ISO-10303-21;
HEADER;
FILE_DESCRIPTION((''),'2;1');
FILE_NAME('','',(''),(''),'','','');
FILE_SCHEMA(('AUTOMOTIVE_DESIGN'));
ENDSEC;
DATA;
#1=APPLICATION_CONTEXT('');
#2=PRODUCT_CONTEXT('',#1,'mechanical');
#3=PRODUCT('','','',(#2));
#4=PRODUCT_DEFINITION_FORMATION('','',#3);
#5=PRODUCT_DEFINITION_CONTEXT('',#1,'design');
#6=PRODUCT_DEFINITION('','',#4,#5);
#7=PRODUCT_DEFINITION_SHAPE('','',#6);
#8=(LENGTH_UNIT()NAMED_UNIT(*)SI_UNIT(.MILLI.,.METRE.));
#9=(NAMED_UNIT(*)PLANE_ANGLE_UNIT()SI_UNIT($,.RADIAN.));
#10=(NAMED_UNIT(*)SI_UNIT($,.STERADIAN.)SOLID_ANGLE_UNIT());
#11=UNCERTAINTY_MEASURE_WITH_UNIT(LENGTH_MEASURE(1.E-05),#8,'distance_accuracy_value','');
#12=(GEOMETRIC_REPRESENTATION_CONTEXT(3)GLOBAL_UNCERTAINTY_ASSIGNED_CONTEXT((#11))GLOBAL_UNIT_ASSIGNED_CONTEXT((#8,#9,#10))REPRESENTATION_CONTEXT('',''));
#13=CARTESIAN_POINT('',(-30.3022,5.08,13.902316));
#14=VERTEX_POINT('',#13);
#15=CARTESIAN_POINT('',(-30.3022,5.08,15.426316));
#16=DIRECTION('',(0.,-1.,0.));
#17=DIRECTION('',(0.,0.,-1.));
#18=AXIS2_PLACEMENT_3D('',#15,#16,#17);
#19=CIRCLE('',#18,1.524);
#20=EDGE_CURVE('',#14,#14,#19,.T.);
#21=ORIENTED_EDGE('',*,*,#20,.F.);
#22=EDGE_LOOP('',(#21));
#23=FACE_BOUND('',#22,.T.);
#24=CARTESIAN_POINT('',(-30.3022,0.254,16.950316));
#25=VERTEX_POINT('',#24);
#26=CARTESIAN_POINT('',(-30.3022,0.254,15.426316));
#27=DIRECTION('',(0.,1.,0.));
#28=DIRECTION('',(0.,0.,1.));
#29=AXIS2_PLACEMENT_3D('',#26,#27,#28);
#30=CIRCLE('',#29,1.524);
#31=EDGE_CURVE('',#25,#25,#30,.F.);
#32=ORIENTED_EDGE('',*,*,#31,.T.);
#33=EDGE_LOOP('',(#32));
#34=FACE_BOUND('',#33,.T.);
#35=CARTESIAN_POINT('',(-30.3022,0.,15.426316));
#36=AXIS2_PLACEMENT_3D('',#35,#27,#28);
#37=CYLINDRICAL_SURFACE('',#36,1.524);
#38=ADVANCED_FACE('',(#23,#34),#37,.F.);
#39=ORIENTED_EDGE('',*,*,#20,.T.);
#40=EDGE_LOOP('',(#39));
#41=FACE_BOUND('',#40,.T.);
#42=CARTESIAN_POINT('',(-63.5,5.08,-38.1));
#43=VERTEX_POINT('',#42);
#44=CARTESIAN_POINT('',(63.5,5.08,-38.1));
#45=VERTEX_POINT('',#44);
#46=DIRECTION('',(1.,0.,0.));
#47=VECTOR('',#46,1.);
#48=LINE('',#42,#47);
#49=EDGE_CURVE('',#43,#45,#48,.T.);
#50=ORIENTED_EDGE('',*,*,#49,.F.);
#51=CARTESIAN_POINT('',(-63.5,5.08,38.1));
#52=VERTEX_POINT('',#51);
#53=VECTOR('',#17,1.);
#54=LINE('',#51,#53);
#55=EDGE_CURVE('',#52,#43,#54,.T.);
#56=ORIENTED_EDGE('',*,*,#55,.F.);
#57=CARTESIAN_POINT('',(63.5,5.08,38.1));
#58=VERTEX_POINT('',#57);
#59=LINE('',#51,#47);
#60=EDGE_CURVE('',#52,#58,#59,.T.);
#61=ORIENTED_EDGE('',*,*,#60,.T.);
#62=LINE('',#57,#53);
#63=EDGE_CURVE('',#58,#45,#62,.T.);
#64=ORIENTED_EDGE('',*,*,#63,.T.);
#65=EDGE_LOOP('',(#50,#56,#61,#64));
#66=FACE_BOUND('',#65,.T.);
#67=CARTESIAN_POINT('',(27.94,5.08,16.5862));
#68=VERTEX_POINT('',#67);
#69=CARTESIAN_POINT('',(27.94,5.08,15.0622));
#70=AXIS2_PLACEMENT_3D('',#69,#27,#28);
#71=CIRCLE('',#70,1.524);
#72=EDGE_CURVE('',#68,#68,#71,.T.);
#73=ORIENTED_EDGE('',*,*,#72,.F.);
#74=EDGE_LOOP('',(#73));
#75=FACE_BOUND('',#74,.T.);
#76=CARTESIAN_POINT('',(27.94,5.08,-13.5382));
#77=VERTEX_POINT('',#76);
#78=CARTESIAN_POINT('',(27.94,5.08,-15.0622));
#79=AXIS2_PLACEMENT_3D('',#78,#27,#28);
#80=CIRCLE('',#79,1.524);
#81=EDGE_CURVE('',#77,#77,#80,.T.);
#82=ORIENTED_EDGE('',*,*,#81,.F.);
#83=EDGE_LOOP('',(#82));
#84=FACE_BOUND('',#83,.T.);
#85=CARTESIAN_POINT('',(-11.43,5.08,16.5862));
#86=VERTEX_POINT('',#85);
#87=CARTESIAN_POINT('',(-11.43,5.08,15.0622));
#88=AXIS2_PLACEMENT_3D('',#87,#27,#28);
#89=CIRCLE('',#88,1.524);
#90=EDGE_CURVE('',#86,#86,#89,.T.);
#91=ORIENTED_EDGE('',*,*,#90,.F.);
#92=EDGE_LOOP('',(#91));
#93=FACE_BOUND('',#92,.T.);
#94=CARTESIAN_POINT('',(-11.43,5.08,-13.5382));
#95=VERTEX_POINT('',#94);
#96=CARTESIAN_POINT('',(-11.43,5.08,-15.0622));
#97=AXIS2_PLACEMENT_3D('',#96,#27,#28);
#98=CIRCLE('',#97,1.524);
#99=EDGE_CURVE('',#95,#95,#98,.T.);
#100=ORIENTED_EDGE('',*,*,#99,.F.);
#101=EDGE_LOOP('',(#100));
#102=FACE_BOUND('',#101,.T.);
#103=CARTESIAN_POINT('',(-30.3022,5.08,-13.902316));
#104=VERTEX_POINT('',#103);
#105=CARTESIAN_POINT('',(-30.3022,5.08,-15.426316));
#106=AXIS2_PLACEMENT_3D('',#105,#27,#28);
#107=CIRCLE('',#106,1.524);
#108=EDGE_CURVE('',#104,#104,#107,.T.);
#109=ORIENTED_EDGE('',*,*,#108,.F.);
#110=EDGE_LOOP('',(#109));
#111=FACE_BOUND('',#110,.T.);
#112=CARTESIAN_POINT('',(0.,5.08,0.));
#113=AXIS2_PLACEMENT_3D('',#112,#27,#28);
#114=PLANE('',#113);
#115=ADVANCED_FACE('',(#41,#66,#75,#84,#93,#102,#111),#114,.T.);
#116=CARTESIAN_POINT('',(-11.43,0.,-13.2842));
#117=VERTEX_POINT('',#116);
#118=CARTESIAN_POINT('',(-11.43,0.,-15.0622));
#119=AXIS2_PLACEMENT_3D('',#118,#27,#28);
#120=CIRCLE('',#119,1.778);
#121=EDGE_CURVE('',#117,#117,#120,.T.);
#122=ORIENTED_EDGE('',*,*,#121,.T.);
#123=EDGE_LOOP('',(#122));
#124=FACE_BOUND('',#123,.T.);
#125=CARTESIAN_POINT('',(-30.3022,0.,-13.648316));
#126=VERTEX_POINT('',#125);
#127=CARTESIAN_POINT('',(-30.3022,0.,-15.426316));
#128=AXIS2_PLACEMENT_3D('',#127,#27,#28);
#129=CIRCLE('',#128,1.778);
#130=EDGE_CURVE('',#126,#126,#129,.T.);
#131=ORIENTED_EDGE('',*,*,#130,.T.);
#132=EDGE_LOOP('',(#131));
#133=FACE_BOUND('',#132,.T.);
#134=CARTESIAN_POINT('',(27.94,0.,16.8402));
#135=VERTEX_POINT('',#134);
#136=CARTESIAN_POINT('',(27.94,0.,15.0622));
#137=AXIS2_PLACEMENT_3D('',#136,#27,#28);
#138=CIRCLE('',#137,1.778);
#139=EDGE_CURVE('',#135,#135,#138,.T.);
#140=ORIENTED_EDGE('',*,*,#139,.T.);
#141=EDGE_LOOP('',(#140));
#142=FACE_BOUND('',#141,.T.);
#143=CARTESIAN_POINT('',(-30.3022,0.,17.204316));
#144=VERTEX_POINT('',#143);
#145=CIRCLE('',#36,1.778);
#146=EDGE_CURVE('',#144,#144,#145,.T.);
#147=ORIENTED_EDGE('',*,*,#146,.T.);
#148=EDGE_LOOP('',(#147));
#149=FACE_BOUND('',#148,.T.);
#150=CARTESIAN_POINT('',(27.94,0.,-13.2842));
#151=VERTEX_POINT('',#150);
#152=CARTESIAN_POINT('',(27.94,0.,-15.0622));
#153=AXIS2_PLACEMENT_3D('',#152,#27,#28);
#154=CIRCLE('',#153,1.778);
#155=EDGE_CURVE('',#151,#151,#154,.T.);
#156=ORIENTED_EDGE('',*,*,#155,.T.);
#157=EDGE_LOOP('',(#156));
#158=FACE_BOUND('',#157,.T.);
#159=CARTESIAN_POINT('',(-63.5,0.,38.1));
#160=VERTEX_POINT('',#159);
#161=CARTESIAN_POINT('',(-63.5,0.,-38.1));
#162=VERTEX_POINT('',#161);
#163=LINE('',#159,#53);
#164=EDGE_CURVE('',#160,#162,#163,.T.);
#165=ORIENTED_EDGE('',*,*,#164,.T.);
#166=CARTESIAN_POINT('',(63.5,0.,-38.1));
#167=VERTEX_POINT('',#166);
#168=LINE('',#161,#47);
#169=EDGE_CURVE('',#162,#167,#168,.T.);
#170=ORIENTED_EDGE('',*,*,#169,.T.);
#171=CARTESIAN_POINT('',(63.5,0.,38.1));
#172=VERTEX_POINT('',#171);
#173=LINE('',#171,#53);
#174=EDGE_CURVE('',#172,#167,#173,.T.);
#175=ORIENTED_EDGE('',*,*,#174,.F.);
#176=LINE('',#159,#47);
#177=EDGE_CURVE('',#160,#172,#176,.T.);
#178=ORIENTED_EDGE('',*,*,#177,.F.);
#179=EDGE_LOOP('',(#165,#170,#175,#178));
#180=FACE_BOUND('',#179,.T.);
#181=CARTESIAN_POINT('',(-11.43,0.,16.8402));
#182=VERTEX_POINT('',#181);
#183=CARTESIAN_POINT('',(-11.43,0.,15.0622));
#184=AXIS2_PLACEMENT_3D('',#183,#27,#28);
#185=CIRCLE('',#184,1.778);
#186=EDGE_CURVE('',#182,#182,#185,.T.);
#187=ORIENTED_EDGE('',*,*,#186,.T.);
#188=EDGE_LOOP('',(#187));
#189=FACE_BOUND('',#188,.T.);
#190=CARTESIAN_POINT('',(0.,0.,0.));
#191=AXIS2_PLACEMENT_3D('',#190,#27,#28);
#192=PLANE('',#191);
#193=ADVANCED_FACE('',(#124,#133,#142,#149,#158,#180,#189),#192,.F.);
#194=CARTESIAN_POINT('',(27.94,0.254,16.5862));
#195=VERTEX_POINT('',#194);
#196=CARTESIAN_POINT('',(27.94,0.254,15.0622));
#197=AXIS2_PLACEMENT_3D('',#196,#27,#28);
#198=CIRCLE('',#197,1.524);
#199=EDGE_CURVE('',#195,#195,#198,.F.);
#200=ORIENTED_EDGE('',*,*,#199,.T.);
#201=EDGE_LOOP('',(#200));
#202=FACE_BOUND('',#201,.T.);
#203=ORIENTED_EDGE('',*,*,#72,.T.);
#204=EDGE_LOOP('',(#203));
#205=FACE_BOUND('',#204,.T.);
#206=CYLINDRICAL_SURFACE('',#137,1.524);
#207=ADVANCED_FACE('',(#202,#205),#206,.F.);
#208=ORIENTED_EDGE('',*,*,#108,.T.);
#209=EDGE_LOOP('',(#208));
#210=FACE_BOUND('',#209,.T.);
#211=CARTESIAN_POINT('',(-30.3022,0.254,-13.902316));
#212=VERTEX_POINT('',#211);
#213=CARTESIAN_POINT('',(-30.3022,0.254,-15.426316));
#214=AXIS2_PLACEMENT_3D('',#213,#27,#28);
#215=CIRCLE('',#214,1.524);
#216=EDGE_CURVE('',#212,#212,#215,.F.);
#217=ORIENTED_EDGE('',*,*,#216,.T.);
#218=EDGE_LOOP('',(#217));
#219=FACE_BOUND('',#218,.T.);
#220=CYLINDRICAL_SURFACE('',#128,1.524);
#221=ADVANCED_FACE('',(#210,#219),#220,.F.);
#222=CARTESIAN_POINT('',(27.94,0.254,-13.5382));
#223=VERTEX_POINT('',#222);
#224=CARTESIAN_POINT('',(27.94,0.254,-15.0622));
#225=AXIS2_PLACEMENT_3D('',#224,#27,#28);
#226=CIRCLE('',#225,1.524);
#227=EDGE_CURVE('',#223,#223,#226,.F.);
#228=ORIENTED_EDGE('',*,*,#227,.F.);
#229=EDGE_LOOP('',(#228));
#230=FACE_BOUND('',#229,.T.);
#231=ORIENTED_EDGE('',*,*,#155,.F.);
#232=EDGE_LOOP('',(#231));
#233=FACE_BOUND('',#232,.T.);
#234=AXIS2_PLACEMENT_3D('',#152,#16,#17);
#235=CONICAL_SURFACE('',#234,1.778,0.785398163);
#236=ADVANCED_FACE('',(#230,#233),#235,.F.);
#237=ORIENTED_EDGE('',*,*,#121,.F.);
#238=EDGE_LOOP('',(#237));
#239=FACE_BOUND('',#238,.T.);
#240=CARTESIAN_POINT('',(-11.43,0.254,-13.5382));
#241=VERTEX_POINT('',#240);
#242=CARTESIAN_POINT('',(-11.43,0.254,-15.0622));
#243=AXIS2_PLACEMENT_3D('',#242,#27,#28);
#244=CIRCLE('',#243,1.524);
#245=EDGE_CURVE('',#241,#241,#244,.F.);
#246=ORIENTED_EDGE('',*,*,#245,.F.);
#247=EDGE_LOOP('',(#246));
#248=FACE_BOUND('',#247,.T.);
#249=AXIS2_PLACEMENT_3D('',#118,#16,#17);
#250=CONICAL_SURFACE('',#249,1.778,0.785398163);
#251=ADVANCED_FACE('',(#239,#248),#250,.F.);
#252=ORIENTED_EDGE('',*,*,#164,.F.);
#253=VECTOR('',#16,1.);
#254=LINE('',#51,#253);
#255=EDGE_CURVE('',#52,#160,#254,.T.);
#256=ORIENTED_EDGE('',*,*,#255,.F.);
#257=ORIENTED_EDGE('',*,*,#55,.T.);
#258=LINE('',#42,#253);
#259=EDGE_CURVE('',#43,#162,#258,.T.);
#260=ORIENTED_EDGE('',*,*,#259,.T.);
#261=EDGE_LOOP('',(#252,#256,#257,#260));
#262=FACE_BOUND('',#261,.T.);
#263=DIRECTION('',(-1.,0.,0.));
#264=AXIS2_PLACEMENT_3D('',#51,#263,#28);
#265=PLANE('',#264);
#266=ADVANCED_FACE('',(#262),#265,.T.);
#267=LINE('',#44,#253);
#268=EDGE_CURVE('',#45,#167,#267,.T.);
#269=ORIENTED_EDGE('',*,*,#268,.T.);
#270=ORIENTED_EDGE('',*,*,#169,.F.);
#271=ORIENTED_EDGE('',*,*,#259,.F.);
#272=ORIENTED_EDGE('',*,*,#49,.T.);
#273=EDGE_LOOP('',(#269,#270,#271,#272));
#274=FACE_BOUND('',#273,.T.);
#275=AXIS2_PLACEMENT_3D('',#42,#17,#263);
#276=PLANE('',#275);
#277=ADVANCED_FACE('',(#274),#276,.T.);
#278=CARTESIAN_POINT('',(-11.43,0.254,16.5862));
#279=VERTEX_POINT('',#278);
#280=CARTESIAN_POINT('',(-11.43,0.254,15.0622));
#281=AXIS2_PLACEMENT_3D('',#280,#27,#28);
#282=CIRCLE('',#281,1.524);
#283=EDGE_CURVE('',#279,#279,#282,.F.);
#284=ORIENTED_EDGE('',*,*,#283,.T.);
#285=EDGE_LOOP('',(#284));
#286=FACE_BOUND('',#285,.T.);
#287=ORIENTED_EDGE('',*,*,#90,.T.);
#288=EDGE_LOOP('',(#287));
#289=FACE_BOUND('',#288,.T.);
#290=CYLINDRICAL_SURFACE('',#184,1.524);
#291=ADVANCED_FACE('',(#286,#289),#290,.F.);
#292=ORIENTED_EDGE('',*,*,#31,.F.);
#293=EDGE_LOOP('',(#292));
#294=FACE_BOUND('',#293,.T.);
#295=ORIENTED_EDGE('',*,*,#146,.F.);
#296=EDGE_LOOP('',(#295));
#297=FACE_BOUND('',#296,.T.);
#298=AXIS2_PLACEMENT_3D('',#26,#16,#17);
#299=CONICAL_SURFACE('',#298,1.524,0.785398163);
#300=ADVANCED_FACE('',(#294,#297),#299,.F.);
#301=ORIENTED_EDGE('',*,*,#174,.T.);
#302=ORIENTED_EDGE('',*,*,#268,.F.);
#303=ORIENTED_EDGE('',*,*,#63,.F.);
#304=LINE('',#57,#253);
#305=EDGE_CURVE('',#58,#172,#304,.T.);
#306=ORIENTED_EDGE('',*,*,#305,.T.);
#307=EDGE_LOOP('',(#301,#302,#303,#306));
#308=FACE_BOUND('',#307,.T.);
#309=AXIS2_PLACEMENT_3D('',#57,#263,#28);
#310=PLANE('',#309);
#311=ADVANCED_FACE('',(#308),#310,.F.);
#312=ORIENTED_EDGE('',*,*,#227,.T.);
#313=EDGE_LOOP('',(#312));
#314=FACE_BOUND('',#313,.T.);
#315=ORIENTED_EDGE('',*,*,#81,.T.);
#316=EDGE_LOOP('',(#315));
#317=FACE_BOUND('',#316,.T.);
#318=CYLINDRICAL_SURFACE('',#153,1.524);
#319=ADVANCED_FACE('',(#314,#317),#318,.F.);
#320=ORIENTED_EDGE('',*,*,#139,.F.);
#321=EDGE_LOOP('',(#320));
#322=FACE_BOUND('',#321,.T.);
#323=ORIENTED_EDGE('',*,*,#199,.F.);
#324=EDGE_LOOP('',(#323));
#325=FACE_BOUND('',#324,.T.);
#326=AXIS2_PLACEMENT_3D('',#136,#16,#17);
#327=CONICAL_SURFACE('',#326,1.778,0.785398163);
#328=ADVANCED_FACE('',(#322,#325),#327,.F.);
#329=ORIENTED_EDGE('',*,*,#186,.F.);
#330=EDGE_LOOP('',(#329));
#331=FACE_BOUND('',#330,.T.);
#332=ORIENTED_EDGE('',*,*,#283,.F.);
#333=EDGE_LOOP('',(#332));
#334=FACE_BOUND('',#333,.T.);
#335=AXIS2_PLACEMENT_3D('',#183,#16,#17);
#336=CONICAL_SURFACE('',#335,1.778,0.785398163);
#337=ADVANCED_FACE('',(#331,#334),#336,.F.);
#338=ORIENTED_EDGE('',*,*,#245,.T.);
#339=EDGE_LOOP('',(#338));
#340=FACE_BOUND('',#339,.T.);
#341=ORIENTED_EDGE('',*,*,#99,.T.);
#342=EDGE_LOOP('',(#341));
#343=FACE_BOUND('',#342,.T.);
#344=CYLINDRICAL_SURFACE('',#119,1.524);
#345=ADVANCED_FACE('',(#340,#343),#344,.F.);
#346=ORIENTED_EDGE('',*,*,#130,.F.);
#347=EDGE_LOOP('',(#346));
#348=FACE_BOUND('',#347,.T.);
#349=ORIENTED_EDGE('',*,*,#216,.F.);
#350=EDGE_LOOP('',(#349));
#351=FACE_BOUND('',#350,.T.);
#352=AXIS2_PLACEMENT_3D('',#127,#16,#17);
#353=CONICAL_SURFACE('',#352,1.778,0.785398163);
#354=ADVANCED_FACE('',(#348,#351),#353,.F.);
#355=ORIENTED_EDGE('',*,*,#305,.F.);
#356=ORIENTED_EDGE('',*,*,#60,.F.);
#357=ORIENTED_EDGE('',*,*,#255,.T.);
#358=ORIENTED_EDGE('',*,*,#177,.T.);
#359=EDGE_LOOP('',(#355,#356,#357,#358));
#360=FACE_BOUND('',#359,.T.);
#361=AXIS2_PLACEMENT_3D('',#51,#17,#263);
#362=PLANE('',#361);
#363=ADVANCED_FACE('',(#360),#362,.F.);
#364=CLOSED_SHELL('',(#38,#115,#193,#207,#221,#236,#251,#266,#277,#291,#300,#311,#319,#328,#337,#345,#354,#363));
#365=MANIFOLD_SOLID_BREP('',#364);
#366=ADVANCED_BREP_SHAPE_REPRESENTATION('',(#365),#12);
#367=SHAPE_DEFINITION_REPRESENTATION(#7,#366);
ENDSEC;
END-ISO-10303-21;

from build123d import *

# Parameters (mm, degrees)
SKETCH1_W           = 127
SKETCH1_H           = 76.2
BOSS_EXTRUDE1_DEPTH = 5.08
SKETCH3_R           = 1.524
CUT_EXTRUDE3_DEPTH  = 75.227127117
CHAMFER1_SIZE       = 0.254


with BuildPart() as part:
    # Sketch1 → Boss-Extrude1 (new body)
    with BuildSketch(Plane(origin=(0, 0, 0), x_dir=(1, 0, 0), z_dir=(0, 1, 0))):
        Rectangle(SKETCH1_W, SKETCH1_H)
    extrude(amount=BOSS_EXTRUDE1_DEPTH)

    # Sketch3 → Cut-Extrude3 (cut, through all)
    with BuildSketch(Plane(origin=(0, 5.08, 0), x_dir=(1, 0, 0), z_dir=(0, 1, 0))):
        with Locations(Location((-30.3022, -15.426316158, 0), (0, 0, 90))):
            Circle(SKETCH3_R)
        with Locations(Location((27.94, -15.0622, 0), (0, 0, 270))):
            Circle(SKETCH3_R)
        with Locations(Location((-11.43, -15.0622, 0), (0, 0, 270))):
            Circle(SKETCH3_R)
        with Locations(Location((27.94, 15.0622, 0), (0, 0, 270))):
            Circle(SKETCH3_R)
        with Locations(Location((-11.43, 15.0622, 0), (0, 0, 270))):
            Circle(SKETCH3_R)
        with Locations(Location((-30.3022, 15.426316158, 0), (0, 0, 270))):
            Circle(SKETCH3_R)
    extrude(amount=-CUT_EXTRUDE3_DEPTH, mode=Mode.SUBTRACT)

    # Chamfer1
    chamfer1_edges = [part.edges().sort_by_distance(p)[0] for p in [
        (-30.3022, 0, 16.950316158),
        (-11.43, 0, 13.5382),
        (-11.43, 0, -16.5862),
        (27.94, 0, 13.5382),
        (-30.3022, 0, -16.950316158),
        (27.94, 0, -16.5862),
    ]]
    chamfer(chamfer1_edges, length=CHAMFER1_SIZE)


solid = part.part
